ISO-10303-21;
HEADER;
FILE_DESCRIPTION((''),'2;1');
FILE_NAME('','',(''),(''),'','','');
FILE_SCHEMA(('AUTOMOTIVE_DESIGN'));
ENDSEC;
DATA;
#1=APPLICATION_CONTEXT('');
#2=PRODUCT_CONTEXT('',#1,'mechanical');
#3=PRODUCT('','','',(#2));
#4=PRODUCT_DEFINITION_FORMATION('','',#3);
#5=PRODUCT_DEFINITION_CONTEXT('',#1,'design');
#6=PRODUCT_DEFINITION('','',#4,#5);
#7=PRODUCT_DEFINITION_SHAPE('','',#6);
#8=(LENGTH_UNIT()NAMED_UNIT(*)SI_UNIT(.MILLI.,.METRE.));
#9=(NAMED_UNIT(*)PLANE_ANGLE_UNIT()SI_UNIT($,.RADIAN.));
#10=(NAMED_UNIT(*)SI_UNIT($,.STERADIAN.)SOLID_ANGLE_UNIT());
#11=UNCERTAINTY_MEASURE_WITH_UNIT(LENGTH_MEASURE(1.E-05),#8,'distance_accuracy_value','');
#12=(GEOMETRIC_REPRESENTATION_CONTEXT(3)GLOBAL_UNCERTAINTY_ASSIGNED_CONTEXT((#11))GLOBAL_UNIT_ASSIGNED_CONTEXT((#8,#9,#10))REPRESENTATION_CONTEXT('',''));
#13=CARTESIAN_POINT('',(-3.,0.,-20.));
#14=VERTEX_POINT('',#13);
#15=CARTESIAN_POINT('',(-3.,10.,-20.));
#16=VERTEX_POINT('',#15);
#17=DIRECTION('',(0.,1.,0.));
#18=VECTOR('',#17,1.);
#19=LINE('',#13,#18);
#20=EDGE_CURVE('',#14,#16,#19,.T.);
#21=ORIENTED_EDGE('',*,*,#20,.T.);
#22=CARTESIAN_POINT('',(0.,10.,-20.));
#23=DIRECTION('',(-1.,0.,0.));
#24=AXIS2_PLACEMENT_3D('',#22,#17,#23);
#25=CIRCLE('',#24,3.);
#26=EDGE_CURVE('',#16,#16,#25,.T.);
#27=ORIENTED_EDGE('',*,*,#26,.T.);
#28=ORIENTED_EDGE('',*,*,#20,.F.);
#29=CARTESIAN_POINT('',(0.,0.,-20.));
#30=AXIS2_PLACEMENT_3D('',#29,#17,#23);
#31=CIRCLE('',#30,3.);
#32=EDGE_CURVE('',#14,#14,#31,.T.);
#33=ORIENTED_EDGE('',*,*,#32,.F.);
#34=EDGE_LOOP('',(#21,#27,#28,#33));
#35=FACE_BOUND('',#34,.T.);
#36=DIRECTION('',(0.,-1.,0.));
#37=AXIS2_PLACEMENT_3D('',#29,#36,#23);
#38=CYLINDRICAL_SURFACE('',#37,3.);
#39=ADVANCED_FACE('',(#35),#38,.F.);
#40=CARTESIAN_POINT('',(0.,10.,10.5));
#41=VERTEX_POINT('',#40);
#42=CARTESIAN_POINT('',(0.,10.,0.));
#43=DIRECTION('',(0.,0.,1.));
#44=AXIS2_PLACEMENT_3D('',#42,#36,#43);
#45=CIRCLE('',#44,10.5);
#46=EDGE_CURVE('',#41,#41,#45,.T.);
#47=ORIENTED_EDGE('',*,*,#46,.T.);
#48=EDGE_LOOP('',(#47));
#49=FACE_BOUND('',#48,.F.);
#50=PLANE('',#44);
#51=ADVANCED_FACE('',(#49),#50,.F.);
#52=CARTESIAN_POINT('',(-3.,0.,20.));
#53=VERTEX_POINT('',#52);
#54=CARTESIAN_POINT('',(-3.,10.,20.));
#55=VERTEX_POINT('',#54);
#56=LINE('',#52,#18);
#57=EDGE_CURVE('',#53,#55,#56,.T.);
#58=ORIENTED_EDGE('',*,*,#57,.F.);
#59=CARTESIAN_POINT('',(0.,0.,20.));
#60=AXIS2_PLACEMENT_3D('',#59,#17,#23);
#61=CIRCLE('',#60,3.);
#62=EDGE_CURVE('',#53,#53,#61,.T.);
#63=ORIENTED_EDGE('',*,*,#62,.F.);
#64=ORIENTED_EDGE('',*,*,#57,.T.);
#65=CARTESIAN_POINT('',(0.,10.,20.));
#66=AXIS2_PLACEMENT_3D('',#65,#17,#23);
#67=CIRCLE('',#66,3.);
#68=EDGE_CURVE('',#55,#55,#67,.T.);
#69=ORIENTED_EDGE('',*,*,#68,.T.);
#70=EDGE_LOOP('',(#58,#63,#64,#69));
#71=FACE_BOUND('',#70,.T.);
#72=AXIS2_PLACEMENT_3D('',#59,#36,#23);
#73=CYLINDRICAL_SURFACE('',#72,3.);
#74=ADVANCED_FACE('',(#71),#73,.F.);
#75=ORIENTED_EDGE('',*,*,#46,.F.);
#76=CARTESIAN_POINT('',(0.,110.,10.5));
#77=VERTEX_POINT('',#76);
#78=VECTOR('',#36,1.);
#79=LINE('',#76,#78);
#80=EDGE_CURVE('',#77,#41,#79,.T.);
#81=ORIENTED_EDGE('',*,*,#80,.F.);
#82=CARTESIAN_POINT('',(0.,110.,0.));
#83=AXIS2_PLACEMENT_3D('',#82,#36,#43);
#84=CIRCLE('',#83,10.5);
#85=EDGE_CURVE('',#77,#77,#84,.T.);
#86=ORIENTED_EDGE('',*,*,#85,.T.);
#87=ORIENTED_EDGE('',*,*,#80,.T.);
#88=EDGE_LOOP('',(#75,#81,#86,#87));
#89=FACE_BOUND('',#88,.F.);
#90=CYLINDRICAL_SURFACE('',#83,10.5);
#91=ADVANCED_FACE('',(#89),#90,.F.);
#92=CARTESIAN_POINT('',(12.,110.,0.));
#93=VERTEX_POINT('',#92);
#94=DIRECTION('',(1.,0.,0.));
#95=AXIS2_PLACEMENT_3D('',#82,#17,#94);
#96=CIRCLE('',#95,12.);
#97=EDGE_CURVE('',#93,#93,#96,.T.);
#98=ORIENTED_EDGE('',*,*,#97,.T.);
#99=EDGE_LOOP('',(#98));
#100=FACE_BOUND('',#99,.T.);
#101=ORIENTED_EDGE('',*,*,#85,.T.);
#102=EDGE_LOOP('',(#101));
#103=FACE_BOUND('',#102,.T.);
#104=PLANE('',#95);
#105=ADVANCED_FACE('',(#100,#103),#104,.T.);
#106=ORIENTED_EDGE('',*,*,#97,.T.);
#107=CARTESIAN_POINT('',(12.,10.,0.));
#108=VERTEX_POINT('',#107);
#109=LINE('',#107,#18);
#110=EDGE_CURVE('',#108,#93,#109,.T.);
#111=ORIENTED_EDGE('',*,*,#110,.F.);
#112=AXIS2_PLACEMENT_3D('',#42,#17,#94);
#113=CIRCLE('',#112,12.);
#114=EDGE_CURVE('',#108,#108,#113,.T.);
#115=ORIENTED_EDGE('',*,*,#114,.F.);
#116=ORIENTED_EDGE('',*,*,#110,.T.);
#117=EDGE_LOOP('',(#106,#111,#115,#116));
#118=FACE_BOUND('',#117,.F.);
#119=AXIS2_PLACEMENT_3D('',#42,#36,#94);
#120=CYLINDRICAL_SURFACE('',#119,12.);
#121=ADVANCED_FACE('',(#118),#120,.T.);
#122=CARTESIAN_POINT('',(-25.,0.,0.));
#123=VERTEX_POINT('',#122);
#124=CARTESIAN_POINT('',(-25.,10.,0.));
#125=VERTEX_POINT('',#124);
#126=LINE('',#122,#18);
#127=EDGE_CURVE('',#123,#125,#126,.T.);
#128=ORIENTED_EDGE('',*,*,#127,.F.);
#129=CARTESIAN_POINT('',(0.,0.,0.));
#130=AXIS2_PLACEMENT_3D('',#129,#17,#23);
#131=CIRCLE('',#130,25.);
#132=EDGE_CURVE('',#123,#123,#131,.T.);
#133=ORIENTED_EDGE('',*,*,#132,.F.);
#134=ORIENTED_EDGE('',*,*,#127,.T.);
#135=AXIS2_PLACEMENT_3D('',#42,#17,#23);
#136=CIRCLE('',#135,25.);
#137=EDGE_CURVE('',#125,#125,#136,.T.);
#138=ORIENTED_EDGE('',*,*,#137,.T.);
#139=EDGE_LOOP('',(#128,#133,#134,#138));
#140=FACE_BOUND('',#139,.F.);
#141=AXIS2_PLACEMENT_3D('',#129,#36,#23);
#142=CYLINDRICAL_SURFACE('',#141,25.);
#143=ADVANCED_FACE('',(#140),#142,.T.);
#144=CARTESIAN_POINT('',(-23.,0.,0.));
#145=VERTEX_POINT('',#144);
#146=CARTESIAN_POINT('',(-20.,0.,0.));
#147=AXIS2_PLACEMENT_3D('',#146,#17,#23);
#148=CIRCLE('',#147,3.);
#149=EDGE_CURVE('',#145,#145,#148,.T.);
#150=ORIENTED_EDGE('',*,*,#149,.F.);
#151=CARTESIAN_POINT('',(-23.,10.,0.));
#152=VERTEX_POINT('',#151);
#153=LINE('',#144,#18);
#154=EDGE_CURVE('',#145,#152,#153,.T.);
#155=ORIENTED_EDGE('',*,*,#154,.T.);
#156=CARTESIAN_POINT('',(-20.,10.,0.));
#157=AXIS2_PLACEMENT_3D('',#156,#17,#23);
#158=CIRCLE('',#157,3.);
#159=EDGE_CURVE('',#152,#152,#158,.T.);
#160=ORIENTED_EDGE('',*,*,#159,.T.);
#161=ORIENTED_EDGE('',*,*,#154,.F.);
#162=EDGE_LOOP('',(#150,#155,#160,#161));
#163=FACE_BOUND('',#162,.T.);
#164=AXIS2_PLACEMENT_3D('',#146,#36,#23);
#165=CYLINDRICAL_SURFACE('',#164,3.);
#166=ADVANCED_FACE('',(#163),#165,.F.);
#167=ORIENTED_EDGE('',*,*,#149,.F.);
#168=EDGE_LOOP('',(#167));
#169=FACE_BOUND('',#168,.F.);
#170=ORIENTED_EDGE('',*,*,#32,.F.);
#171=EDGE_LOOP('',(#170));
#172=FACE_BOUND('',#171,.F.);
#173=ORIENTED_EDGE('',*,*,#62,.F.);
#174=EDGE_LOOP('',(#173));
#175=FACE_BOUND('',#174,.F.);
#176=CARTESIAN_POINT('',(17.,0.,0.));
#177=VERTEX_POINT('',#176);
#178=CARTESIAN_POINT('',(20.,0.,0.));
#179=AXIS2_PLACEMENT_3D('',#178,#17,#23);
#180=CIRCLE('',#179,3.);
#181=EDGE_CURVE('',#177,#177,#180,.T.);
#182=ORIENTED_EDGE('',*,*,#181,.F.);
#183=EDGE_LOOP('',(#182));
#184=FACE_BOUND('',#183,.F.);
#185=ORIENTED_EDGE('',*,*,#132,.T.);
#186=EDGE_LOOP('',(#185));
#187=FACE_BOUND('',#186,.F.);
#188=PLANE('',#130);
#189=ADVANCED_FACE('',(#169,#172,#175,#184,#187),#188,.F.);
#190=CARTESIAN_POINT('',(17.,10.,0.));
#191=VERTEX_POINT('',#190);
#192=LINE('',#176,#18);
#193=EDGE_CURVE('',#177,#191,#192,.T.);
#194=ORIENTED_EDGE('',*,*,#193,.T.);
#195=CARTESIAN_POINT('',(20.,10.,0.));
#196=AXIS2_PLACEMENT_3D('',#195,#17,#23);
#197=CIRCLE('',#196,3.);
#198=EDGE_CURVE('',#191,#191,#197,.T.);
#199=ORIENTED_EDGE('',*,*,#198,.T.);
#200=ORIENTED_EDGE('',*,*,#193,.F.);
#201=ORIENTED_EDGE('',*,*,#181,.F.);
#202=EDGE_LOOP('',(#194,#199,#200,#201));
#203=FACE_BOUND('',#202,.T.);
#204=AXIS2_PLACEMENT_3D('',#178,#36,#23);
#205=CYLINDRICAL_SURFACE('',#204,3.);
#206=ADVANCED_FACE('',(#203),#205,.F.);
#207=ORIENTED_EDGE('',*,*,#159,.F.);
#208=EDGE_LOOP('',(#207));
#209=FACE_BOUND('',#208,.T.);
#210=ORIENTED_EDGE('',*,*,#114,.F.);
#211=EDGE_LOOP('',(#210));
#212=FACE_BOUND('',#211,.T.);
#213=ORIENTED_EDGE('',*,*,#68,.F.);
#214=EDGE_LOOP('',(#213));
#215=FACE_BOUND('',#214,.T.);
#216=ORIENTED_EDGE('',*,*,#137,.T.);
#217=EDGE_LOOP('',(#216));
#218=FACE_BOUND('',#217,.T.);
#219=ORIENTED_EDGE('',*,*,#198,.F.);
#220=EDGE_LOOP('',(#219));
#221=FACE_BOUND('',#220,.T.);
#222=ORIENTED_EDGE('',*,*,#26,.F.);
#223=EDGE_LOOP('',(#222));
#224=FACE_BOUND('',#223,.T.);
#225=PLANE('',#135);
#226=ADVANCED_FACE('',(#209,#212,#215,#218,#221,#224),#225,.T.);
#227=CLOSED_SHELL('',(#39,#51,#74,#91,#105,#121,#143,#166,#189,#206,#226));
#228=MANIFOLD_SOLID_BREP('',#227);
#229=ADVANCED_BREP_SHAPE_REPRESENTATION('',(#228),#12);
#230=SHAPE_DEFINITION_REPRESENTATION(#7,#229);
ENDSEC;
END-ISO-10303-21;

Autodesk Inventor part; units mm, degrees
ref_plane "YZ Plane" through (0, 0, 0) normal (1, 0, 0) x (0, 1, 0)
ref_plane "XZ Plane" through (0, 0, 0) normal (0, 1, 0) x (-1, 0, 0)
ref_plane "XY Plane" through (0, 0, 0) normal (0, 0, 1) x (1, 0, 0)
sketch "Boceto1" plane through (0, 0, 0) normal (0, 1, 0) x (-1, 0, 0)
  circle A0 centre (0, 0) radius 25
  circle A1 centre (20, 0) radius 3
  circle A2 centre (0, 20) radius 3
  circle A3 centre (-20, 0) radius 3
  circle A4 centre (0, -20) radius 3
  dimension "d0" = 50
  dimension "d2" = 6
  dimension "d5" = 360
extrude "Extrusión1" add sketch "Boceto1" along normal blind 10
sketch "Boceto2" plane through (0, 10, 0) normal (0, 1, 0) x (1, 0, 0)
  circle A0 centre (0, 0) radius 12
  circle A1 centre (0, 0) radius 10.5
  dimension "d9" = 24
  dimension "d10" = 21
extrude "Extrusión2" add sketch "Boceto2" along normal blind 100 contours A0 | A1
sketch "Boceto3" plane through (0, 110, 0) normal (0, 1, 0) x (1, 0, 0)
  circle A0 centre (0, 0) radius 12 projected
hole "Agujero1" at (0, 110, 0) direction (0, -1, 0) diameter 21 depth 100
